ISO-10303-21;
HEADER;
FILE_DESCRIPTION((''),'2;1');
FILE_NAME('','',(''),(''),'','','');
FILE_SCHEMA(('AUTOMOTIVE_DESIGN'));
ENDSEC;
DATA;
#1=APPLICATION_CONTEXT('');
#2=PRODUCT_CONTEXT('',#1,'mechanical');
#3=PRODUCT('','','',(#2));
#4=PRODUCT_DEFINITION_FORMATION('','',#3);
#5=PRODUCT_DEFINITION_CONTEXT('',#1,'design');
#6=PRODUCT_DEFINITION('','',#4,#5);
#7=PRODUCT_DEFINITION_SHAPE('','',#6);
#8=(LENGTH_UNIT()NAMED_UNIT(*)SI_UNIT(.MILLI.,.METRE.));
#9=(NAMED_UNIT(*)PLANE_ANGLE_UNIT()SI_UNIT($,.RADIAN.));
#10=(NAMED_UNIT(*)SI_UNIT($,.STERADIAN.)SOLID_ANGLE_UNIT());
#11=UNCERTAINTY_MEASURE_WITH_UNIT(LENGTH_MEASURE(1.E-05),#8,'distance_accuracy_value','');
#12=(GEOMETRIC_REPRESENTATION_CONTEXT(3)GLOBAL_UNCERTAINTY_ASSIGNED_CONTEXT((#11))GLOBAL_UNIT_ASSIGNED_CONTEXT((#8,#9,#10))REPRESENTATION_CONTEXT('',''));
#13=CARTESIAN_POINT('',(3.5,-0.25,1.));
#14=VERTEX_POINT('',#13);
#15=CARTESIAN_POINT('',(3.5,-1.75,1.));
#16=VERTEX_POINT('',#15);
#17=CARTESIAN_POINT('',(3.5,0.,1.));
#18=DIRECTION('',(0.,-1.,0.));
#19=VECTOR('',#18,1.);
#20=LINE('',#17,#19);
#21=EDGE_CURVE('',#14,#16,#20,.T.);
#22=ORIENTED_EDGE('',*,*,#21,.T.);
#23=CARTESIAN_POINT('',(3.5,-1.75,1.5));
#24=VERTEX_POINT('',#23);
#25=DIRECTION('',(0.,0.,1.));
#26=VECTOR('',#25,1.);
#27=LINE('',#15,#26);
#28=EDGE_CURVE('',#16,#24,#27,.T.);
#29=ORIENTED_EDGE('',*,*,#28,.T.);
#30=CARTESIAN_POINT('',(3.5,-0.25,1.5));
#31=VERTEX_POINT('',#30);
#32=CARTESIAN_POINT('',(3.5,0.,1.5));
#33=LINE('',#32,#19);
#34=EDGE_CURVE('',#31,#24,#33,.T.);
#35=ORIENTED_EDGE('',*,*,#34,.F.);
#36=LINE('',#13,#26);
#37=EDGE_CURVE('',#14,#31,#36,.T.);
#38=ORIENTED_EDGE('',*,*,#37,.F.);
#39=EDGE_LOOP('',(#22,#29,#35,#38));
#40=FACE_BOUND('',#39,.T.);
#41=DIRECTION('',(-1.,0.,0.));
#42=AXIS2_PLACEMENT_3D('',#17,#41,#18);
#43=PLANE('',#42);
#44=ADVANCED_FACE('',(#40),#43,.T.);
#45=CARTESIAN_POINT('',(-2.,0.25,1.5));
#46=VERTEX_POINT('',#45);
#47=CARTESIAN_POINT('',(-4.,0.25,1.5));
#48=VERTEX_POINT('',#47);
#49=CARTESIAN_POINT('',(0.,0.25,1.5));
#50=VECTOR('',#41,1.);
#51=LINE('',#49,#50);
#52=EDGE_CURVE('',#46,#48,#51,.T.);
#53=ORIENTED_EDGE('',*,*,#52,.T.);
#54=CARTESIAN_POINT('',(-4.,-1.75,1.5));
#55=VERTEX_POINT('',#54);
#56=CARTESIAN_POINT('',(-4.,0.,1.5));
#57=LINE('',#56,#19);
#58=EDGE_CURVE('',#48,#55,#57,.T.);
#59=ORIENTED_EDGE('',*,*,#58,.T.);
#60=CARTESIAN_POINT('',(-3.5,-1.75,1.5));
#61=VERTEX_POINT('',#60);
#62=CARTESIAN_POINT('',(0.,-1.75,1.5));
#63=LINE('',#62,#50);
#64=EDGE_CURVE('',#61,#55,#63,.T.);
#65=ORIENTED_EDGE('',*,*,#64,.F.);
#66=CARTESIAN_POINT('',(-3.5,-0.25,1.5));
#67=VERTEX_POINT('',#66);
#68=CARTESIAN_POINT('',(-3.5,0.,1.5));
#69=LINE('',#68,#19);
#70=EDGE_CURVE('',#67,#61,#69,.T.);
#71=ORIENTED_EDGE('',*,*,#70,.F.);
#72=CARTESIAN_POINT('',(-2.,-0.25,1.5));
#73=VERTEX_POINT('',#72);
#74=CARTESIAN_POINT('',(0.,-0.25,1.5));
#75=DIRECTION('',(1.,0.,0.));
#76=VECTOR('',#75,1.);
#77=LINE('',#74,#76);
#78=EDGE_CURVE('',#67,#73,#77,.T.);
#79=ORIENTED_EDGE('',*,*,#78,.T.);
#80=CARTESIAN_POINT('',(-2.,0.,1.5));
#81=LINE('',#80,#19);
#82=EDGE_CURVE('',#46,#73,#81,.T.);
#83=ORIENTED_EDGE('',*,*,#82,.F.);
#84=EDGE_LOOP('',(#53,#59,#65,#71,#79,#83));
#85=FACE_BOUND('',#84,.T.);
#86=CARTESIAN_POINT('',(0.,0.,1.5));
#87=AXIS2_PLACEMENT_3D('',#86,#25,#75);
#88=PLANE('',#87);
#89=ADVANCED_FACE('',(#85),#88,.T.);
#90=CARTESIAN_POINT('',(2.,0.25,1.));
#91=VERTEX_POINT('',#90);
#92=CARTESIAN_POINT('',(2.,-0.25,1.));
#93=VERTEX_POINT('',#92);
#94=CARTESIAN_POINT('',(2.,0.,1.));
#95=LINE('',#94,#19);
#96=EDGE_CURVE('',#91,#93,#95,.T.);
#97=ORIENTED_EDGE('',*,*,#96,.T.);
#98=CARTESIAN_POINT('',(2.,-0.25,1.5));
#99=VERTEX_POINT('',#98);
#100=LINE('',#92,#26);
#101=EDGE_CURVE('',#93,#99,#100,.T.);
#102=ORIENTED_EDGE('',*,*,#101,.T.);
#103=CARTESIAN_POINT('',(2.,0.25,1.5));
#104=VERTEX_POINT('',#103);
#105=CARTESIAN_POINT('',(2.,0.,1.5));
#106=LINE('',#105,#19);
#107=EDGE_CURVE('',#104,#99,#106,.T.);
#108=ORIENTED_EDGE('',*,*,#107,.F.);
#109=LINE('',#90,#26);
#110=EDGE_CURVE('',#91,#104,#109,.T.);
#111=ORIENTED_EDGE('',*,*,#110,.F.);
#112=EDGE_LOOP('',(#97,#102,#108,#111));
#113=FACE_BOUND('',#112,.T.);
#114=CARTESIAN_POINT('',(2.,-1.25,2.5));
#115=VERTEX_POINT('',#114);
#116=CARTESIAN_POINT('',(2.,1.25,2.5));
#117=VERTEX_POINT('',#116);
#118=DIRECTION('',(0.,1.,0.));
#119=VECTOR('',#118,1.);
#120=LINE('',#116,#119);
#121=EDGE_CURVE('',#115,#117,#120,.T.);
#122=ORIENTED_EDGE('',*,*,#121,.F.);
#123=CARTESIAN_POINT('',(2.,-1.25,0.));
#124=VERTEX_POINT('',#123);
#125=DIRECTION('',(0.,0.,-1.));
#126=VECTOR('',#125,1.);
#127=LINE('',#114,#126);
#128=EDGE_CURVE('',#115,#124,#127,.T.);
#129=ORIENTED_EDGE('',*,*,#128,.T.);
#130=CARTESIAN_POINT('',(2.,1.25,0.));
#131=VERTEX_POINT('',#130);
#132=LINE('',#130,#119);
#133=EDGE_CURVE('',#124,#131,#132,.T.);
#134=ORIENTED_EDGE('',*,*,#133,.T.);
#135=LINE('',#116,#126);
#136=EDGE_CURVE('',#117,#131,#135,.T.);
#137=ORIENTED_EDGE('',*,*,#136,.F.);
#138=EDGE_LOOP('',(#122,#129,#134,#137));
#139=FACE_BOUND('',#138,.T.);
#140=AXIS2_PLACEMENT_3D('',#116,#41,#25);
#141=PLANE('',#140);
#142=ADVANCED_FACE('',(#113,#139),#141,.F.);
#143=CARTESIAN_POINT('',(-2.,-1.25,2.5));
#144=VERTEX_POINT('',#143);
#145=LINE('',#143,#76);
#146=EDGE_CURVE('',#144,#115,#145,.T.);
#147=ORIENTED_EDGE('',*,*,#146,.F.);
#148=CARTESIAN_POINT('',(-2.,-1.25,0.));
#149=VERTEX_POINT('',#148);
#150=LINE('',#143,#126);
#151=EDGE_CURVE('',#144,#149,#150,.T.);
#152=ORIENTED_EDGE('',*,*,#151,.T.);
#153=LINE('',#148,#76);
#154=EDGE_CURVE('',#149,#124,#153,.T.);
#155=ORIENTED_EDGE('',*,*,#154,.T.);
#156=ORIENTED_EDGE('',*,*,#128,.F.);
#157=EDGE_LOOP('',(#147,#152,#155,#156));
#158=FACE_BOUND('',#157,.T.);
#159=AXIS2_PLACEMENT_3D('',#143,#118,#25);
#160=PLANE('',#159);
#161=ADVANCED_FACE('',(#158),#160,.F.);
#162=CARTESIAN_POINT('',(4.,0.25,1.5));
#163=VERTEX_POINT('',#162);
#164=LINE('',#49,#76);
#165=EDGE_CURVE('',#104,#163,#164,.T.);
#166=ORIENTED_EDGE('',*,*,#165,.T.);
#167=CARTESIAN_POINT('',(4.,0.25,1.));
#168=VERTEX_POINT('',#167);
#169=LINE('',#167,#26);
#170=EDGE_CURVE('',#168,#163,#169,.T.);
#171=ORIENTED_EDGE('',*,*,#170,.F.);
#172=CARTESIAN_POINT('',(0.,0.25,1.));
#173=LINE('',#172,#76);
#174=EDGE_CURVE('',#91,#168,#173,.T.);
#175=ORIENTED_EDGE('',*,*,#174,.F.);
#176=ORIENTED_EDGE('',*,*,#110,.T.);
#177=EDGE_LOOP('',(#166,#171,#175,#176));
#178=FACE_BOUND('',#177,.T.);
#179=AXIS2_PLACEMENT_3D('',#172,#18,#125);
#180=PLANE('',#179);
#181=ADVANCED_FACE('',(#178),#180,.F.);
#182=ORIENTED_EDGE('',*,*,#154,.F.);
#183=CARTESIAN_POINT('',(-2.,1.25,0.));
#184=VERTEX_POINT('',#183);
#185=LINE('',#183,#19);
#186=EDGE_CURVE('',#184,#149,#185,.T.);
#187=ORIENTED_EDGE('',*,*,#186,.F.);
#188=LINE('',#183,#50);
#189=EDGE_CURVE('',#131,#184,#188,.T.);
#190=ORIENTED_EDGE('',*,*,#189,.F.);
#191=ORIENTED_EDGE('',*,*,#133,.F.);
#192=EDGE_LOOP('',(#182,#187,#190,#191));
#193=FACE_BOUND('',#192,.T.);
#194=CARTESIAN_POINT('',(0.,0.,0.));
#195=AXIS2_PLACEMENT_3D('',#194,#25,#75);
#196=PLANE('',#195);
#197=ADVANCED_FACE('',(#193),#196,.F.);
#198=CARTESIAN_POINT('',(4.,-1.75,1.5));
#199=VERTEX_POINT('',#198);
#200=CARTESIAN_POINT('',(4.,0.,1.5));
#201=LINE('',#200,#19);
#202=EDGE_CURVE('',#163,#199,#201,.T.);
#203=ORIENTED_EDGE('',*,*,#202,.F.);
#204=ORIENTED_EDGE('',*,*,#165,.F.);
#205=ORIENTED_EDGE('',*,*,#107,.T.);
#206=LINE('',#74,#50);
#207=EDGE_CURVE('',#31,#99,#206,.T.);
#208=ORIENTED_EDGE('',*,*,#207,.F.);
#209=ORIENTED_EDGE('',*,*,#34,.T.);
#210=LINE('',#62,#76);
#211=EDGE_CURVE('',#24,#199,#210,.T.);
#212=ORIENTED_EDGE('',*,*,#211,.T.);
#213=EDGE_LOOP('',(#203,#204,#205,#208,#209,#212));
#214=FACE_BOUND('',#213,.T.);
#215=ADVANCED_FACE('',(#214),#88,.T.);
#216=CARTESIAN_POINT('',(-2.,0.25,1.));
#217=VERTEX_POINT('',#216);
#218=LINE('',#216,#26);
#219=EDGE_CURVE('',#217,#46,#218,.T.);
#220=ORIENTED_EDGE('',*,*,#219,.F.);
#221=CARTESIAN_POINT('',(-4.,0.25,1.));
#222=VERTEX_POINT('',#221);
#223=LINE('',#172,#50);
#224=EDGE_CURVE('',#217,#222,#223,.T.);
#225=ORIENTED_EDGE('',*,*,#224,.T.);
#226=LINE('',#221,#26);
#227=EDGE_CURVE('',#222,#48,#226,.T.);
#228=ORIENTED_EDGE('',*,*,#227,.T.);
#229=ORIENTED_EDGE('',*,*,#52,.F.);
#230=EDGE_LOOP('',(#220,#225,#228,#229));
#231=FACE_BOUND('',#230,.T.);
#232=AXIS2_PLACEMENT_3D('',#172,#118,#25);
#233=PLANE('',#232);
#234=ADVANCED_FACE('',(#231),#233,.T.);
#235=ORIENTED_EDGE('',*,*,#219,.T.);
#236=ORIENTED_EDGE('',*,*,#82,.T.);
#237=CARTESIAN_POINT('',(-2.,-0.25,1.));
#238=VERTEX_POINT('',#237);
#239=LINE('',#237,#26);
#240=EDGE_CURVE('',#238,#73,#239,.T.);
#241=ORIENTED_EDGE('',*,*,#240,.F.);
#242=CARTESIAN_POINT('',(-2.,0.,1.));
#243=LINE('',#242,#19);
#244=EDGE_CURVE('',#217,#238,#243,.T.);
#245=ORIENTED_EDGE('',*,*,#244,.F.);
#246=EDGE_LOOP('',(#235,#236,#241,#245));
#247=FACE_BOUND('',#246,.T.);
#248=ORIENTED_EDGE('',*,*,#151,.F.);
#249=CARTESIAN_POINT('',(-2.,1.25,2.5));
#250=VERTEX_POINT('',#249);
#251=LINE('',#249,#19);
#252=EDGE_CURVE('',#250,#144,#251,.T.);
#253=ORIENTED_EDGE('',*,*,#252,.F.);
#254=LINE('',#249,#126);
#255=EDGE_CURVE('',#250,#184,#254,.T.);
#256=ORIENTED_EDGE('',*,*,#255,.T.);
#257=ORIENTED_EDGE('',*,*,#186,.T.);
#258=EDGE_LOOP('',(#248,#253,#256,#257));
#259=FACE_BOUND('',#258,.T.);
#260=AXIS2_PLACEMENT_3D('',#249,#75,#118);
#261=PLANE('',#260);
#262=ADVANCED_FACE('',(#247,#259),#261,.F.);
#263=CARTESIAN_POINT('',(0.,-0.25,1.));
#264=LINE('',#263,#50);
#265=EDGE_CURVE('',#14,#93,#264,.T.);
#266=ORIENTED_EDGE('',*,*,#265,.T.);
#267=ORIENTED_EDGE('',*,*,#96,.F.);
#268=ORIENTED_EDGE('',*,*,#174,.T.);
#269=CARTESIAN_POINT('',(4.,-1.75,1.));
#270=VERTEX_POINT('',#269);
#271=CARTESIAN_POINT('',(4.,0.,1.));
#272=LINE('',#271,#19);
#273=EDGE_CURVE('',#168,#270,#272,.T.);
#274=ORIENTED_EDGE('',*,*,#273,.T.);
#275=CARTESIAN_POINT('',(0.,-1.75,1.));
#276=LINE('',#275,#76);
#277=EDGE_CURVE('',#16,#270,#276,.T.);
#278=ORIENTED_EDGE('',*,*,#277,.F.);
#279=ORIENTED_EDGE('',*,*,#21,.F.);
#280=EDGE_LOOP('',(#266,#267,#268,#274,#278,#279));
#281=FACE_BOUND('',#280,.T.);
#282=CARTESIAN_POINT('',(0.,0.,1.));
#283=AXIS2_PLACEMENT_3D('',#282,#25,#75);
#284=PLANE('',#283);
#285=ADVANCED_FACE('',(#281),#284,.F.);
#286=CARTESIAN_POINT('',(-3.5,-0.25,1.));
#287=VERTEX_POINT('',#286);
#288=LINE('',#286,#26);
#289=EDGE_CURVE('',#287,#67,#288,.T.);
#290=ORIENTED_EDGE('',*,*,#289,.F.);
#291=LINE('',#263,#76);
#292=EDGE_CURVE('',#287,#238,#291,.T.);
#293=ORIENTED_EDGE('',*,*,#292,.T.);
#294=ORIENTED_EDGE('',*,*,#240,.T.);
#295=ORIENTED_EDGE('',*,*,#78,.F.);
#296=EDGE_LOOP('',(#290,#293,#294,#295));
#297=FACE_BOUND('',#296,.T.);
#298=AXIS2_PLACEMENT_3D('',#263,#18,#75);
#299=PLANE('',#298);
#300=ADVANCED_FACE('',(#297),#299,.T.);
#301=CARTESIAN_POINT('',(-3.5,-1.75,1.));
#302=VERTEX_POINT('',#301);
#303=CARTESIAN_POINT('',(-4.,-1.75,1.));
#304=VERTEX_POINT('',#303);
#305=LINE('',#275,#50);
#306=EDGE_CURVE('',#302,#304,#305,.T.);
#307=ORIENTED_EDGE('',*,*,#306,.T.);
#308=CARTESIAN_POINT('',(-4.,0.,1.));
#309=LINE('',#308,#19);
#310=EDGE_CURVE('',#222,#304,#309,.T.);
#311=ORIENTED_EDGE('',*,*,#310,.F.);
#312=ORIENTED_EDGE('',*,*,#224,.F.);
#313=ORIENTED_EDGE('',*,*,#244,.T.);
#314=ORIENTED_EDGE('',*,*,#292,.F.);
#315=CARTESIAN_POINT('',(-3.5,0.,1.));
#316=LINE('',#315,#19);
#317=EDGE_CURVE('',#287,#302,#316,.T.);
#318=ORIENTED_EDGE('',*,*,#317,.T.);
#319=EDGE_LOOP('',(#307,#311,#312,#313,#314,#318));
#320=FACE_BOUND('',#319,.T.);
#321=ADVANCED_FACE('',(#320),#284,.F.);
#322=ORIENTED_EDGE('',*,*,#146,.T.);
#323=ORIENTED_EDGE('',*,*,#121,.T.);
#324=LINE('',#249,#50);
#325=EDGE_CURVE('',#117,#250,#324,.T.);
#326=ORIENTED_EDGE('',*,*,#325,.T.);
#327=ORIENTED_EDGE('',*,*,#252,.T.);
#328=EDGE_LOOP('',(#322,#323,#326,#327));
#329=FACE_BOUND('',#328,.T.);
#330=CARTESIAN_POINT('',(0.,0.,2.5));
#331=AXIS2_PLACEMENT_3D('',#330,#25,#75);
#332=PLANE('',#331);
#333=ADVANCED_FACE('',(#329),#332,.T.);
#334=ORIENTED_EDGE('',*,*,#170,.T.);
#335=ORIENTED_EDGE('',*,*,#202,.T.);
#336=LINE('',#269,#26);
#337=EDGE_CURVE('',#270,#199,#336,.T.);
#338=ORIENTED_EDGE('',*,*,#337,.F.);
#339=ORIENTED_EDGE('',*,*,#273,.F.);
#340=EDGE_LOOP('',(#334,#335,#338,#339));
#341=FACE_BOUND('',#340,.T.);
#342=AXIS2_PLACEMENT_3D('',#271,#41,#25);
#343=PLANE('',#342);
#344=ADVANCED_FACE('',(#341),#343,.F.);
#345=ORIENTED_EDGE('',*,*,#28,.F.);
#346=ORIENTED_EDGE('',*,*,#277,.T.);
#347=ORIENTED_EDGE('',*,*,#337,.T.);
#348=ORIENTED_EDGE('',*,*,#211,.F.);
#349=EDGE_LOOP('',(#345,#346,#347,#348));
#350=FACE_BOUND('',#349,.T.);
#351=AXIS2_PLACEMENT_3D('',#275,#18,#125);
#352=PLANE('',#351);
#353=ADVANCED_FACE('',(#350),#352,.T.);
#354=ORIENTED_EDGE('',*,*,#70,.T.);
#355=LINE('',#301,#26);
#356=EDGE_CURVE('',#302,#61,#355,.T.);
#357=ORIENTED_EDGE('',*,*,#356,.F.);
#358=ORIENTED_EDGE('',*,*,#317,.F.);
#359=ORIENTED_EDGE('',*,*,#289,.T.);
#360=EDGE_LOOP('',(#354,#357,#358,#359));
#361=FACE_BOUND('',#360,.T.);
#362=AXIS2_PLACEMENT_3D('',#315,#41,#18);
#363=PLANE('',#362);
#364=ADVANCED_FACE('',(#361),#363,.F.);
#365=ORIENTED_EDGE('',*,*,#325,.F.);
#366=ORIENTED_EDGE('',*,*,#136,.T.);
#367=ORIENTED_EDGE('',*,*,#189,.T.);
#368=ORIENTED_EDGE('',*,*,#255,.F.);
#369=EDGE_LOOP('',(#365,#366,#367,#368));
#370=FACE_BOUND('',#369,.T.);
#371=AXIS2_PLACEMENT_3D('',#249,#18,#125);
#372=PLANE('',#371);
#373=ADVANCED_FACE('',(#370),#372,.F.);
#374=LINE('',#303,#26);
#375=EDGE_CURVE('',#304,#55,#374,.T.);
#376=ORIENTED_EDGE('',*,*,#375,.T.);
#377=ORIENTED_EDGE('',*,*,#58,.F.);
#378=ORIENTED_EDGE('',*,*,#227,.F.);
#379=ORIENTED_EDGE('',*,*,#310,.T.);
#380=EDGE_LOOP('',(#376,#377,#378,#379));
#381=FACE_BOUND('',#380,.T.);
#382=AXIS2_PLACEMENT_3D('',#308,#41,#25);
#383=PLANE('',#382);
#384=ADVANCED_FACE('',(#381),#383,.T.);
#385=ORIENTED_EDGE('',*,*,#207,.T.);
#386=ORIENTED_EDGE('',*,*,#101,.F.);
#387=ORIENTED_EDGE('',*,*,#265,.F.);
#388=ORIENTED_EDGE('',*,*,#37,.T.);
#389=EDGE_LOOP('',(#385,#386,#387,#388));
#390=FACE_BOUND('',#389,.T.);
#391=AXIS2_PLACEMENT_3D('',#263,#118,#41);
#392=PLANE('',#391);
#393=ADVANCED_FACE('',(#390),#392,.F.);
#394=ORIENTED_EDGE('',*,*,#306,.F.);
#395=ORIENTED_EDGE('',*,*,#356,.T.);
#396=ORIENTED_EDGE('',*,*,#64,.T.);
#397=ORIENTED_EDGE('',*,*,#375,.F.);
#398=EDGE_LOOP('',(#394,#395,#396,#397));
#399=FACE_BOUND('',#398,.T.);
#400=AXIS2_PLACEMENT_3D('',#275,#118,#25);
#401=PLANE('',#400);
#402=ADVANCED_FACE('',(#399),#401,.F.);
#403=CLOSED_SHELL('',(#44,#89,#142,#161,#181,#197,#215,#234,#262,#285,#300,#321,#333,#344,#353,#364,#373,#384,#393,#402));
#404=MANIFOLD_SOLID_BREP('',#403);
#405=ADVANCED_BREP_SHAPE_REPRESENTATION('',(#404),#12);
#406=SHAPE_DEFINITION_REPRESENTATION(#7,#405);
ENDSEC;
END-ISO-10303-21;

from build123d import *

# Parameters (mm, degrees)
SKETCH3_W                = 4
SKETCH3_H                = 2.5
BOSS_EXTRUDE1_DEPTH      = 2.5
SKETCH6_W                = 1.5
SKETCH6_H                = 0.5
SKETCH6_W_2              = 0.5
SKETCH6_H_2              = 1.5
BOSS_EXTRUDE2_DEPTH      = 0.25
BOSS_EXTRUDE2_DEPTH_BACK = 0.25


with BuildPart() as part:
    # Sketch3 → Boss-Extrude1 (new body)
    with BuildSketch(Plane.XY):
        Rectangle(SKETCH3_W, SKETCH3_H)
    extrude(amount=BOSS_EXTRUDE1_DEPTH)

    # Sketch6 → Boss-Extrude2 (add, two sides)
    with BuildSketch(Plane.XY.offset(1.25)) as boss_extrude2_sk:
        with Locations((2.75, 0)):
            Rectangle(SKETCH6_W, SKETCH6_H)
        with Locations((3.75, 0)):
            Rectangle(SKETCH6_W_2, SKETCH6_H)
        with Locations((3.75, -1)):
            Rectangle(SKETCH6_W_2, SKETCH6_H_2)
        with Locations((-2.75, 0)):
            Rectangle(SKETCH6_W, SKETCH6_H)
        with Locations((-3.75, 0)):
            Rectangle(SKETCH6_W_2, SKETCH6_H)
        with Locations((-3.75, -1)):
            Rectangle(SKETCH6_W_2, SKETCH6_H_2)
    extrude(amount=BOSS_EXTRUDE2_DEPTH)
    extrude(boss_extrude2_sk.sketch, amount=-BOSS_EXTRUDE2_DEPTH_BACK)


solid = part.part
